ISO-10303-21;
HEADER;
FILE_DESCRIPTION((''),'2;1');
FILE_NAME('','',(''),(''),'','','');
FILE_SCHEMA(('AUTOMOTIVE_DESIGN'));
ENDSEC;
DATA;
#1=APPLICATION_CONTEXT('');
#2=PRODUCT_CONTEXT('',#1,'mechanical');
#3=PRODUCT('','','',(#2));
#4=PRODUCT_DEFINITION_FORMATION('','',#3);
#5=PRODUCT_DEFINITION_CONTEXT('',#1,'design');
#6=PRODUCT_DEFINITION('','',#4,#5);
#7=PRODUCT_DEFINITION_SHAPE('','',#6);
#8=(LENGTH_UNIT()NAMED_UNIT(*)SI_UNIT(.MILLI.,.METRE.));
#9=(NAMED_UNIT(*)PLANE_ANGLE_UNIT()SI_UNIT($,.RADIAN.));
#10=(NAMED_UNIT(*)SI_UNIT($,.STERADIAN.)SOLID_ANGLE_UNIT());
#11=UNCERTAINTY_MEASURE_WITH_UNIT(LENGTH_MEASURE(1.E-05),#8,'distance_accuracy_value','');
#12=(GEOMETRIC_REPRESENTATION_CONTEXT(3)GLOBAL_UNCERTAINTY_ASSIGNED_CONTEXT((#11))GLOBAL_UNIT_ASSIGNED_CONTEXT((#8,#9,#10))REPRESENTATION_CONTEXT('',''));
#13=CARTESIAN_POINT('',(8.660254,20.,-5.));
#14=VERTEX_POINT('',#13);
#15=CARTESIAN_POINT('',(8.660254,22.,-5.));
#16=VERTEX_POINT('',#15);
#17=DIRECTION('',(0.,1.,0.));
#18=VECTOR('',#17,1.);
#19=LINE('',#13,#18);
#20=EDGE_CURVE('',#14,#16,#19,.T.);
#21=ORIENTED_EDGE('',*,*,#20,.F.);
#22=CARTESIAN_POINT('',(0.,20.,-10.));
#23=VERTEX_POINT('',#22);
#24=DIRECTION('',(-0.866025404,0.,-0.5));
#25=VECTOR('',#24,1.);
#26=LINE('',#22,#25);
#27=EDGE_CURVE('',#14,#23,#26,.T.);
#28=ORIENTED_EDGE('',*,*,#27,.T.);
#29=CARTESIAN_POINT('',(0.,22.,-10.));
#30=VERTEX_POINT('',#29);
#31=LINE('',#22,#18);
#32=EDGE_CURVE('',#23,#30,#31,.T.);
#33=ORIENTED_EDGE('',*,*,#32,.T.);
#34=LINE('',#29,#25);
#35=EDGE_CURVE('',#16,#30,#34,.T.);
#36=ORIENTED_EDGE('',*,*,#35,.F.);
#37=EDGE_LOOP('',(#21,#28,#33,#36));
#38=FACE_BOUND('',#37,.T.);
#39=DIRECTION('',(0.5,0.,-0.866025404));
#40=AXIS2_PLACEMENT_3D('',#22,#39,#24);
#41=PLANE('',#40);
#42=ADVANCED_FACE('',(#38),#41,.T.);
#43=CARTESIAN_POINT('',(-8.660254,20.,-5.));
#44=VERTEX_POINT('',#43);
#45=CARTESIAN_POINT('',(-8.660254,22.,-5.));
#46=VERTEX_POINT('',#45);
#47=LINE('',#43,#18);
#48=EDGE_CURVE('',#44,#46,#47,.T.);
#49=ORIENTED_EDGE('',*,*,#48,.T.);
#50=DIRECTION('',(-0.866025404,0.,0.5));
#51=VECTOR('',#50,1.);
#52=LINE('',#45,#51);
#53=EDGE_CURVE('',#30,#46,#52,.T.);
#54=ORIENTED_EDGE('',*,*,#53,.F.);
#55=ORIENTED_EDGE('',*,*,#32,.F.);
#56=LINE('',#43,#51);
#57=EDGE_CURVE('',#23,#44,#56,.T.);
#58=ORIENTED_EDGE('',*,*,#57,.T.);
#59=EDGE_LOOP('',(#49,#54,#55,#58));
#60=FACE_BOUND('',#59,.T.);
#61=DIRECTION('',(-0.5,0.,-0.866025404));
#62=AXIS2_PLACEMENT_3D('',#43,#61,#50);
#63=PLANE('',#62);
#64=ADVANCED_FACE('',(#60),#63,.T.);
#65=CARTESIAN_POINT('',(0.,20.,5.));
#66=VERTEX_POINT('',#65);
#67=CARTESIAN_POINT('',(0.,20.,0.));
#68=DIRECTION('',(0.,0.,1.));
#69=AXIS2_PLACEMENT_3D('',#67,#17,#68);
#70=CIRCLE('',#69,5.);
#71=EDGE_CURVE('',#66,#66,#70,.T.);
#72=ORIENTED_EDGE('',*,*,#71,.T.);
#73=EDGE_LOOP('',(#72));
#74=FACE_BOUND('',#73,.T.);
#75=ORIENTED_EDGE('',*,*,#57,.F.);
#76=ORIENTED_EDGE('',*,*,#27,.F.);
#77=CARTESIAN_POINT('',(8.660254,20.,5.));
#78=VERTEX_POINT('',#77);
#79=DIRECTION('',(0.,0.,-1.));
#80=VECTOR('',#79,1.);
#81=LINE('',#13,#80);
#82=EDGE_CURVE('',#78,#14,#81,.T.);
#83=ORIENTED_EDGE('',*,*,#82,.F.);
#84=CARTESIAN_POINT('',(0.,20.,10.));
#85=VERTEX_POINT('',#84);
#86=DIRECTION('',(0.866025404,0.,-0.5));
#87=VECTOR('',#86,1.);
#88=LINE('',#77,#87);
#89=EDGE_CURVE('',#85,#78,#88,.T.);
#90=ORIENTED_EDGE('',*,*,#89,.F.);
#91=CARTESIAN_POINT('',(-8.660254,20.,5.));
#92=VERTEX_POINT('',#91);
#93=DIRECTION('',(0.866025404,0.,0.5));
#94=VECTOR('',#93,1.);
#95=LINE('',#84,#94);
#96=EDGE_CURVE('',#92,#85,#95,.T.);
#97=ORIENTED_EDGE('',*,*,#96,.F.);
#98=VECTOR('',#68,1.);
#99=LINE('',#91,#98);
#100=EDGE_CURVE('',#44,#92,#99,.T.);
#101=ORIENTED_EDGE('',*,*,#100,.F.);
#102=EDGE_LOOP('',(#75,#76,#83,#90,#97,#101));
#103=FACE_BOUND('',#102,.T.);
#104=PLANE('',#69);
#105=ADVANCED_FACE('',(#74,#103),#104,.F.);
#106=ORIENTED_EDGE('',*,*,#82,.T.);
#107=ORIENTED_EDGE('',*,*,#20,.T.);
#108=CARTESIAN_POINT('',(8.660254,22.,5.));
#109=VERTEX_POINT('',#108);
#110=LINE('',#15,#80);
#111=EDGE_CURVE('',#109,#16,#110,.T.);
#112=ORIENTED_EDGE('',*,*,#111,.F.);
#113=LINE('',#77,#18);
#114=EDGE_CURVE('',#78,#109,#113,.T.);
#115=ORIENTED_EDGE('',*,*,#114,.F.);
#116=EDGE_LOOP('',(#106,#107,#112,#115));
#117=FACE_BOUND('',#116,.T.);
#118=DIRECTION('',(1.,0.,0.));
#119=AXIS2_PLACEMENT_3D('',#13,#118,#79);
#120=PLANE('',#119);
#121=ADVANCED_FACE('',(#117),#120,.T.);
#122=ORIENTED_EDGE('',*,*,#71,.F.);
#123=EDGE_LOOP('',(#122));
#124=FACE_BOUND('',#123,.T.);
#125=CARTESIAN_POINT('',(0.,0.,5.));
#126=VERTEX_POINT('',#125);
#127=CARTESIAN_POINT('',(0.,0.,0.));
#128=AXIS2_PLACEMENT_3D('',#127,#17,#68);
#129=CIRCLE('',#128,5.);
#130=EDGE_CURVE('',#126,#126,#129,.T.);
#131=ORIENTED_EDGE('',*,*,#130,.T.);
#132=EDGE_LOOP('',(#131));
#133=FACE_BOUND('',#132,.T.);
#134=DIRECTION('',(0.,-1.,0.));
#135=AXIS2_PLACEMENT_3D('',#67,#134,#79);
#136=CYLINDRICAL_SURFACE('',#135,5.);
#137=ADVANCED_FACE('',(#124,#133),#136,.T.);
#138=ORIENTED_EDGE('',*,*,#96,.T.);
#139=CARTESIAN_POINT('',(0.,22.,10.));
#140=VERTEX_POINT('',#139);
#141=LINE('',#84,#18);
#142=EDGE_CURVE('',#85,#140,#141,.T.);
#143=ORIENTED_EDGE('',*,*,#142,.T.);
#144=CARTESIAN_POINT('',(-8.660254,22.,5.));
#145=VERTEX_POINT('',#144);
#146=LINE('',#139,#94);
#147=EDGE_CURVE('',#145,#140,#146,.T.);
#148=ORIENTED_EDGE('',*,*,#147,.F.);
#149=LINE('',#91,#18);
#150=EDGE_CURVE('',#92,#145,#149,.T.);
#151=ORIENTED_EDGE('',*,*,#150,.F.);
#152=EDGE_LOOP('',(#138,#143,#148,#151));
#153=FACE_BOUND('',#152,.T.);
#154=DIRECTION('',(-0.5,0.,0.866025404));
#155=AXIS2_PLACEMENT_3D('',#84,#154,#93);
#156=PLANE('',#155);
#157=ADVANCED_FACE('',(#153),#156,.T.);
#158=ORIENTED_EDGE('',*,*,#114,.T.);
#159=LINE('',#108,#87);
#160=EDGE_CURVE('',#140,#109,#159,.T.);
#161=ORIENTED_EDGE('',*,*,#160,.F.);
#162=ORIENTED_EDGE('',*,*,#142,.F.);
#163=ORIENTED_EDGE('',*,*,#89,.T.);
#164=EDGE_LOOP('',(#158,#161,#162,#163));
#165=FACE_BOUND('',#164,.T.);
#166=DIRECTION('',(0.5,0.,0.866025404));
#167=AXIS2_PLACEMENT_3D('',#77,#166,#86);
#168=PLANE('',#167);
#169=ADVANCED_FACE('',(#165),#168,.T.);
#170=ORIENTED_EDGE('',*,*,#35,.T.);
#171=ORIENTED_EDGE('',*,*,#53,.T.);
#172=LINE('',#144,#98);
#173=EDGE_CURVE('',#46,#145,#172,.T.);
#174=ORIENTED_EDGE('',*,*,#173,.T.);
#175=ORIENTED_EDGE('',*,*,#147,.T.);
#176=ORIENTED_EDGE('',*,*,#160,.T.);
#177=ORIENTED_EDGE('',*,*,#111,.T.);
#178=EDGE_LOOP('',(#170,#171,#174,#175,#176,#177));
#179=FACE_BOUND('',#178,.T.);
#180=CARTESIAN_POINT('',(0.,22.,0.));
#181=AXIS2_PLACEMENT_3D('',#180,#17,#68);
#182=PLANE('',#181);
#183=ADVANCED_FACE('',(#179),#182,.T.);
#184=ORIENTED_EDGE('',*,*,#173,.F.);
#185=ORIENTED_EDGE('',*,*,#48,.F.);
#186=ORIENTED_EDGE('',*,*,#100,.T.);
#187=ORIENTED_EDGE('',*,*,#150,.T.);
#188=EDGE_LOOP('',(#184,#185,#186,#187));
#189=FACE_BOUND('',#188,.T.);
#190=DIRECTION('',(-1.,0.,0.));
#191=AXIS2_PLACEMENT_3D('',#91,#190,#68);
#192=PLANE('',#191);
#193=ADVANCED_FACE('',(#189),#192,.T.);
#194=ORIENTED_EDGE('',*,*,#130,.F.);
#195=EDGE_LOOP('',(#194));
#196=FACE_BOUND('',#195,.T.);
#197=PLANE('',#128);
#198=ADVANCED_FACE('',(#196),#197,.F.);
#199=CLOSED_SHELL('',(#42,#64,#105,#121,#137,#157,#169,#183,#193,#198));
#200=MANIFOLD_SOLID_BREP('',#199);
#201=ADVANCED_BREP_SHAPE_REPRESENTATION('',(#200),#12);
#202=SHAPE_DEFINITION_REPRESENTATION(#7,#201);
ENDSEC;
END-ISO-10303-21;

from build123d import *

# Parameters (mm, degrees)
SKETCH1_R           = 5
BOSS_EXTRUDE1_DEPTH = 20
SKETCH2_R           = 10
BOSS_EXTRUDE2_DEPTH = 2
SKETCH3_OUTSIDE_W   = 29.166
SKETCH3_OUTSIDE_H   = 29.166
CUT_EXTRUDE1_DEPTH  = 2


with BuildPart() as part:
    # Sketch1 → Boss-Extrude1 (new body)
    with BuildSketch(Plane(origin=(0, 0, 0), x_dir=(1, 0, 0), z_dir=(0, 1, 0))):
        Circle(SKETCH1_R)
    extrude(amount=BOSS_EXTRUDE1_DEPTH)

    # Sketch2 → Boss-Extrude2 (add)
    with BuildSketch(Plane(origin=(0, 20, 0), x_dir=(1, 0, 0), z_dir=(0, 1, 0))):
        Circle(SKETCH2_R)
    extrude(amount=BOSS_EXTRUDE2_DEPTH)

    # Sketch3 outside → Cut-Extrude1 (cut)
    with BuildSketch(Plane(origin=(0, 22, 0), x_dir=(1, 0, 0), z_dir=(0, 1, 0))):
        Rectangle(SKETCH3_OUTSIDE_W, SKETCH3_OUTSIDE_H)
        Polygon((0, 10), (8.660254038, 5), (8.660254038, -5), (0, -10), (-8.660254038, -5), (-8.660254038, 5), align=None, mode=Mode.SUBTRACT)
    extrude(amount=-CUT_EXTRUDE1_DEPTH, mode=Mode.SUBTRACT)


solid = part.part
